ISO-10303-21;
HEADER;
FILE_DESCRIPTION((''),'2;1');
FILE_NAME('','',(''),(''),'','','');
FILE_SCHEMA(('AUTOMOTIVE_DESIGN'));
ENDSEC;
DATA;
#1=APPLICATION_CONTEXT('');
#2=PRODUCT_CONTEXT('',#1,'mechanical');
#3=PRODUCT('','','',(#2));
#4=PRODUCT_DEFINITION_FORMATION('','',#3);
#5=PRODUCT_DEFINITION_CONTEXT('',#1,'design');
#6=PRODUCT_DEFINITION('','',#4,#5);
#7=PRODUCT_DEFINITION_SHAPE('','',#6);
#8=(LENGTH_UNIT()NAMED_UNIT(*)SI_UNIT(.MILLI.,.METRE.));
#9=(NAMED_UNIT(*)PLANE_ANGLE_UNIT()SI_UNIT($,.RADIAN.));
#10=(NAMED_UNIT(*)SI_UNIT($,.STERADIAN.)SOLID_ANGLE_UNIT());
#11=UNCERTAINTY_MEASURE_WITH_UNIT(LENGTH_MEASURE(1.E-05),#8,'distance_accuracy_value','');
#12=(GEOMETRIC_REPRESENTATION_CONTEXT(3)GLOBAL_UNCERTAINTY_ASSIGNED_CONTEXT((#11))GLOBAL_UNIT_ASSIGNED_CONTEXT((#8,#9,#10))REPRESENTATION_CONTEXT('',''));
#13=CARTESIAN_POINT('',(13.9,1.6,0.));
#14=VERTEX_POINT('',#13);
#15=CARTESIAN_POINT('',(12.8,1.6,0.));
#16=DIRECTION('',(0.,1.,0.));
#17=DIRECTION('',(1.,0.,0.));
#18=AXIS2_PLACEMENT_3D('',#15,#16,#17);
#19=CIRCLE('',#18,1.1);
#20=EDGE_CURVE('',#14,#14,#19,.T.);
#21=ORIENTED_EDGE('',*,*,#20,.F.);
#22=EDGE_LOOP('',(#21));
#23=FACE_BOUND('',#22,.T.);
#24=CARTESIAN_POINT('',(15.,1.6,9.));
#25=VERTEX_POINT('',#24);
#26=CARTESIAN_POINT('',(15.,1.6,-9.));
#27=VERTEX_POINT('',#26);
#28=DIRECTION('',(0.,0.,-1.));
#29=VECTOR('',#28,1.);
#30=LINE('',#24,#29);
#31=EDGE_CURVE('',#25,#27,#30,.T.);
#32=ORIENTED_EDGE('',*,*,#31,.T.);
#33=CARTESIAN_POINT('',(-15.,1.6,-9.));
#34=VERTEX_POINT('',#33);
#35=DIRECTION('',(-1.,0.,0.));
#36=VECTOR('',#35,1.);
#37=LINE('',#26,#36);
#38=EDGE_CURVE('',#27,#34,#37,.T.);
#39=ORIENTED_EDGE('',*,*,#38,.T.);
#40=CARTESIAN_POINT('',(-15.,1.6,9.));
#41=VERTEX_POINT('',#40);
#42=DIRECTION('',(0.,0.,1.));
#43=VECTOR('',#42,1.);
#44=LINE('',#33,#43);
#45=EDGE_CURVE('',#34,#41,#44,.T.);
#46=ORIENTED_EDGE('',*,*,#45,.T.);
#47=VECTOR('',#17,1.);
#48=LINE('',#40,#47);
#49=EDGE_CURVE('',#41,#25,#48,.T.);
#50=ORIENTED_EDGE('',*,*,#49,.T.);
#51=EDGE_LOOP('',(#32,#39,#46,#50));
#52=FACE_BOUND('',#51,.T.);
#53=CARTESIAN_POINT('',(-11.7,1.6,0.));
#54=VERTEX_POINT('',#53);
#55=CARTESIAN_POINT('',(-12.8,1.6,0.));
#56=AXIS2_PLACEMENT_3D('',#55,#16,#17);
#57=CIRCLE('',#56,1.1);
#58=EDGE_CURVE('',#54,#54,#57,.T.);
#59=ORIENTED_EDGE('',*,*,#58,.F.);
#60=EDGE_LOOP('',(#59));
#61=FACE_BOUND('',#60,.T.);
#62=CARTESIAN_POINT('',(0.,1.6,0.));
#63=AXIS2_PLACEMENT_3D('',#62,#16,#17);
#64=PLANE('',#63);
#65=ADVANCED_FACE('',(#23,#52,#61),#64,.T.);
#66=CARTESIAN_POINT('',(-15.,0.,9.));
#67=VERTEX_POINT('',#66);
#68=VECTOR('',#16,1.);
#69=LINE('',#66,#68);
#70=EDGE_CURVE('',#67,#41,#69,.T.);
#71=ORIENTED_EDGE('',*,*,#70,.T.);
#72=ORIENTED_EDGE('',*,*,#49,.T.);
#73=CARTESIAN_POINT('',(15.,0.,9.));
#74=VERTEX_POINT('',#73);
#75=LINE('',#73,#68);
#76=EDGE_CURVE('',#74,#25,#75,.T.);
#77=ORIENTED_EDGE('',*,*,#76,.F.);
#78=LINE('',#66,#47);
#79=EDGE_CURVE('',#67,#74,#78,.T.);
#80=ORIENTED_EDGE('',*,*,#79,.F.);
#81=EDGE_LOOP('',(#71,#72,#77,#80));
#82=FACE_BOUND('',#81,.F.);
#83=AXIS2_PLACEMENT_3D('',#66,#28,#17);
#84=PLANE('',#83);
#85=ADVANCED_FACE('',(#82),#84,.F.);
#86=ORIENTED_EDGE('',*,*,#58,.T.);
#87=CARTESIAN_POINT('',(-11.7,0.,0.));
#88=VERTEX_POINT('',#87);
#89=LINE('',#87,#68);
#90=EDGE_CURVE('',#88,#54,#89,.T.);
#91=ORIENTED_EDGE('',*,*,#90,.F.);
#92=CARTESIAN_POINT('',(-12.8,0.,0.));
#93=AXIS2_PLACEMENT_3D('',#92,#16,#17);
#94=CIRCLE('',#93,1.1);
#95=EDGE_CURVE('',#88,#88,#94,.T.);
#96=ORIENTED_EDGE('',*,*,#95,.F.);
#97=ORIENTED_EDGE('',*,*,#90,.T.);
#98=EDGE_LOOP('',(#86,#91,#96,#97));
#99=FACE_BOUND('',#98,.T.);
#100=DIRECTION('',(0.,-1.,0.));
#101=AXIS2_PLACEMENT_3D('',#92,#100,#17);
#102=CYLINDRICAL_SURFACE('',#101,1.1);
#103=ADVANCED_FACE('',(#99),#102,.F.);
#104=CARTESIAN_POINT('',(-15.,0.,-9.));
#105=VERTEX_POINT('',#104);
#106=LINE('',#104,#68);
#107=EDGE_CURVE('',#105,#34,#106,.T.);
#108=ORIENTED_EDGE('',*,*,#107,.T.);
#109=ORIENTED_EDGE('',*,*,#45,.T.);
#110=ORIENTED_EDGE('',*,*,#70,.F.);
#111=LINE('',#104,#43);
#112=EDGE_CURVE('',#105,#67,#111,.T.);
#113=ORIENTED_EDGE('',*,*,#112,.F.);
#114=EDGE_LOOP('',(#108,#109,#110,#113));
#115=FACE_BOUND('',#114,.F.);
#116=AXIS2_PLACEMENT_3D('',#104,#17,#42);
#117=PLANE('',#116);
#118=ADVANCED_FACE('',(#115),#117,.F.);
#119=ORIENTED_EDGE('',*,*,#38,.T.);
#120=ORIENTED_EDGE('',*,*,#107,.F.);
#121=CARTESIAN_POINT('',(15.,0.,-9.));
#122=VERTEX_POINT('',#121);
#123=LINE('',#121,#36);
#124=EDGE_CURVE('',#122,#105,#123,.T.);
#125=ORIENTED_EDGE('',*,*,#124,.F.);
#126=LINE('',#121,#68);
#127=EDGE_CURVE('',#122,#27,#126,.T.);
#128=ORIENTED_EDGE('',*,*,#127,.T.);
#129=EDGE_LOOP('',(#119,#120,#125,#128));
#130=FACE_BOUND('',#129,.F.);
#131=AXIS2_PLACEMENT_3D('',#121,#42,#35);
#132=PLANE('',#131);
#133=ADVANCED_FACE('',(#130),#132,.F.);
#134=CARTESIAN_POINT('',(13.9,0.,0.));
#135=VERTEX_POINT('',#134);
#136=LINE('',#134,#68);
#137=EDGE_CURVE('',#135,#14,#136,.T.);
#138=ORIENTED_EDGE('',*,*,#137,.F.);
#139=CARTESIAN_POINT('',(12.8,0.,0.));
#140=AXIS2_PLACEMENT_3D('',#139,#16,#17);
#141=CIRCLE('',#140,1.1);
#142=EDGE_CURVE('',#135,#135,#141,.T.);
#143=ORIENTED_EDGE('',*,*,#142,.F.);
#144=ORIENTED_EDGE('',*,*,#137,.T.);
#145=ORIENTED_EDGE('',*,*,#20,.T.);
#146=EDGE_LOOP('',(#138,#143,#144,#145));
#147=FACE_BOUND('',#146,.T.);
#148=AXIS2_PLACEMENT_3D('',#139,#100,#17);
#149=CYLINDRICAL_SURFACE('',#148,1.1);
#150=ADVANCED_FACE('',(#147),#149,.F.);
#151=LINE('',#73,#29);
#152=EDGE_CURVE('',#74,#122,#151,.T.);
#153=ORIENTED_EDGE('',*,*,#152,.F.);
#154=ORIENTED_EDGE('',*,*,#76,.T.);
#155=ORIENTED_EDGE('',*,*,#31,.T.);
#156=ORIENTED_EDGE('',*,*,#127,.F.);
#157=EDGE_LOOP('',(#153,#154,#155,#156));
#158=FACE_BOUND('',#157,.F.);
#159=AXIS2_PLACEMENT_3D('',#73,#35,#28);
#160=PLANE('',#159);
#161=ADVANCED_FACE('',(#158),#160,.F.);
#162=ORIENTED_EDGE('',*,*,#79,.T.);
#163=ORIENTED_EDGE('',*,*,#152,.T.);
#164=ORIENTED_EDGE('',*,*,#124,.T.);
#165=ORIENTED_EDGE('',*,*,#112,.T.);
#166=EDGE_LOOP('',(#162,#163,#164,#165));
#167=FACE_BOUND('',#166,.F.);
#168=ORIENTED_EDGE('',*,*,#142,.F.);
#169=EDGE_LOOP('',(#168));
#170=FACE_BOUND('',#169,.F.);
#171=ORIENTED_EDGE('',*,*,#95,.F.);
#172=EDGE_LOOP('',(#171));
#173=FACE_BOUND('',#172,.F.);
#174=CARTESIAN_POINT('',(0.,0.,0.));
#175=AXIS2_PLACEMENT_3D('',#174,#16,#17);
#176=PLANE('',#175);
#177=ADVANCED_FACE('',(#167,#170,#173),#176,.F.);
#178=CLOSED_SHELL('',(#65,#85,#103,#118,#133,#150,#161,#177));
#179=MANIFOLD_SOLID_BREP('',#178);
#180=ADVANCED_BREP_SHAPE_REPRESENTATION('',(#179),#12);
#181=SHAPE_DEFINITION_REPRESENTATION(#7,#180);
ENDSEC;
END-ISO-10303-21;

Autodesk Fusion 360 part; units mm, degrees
sketch "Sketch1" plane through (0, 0, 0) normal (0, 1, 0) x (1, 0, 0)
  line L0 (-15, -9) -> (15, -9)
  line L1 (15, -9) -> (15, 9)
  line L2 (15, 9) -> (-15, 9)
  line L3 (-15, 9) -> (-15, -9)
  line L4 (-15, -9) -> (15, 9) construction
  line L5 (15, -9) -> (-15, 9) construction
  circle A0 centre (12.8, 0) radius 1.1
  circle A1 centre (-12.8, 0) radius 1.1
  dimension "d1" = 30
  dimension "d2" = 18
  dimension "d3" = 2.2
  dimension "d4" = 2.2
  dimension "d5" = 2.2
  dimension "d6" = 2.2
extrude "Extrude1" add sketch "Sketch1" along normal blind 1.6
